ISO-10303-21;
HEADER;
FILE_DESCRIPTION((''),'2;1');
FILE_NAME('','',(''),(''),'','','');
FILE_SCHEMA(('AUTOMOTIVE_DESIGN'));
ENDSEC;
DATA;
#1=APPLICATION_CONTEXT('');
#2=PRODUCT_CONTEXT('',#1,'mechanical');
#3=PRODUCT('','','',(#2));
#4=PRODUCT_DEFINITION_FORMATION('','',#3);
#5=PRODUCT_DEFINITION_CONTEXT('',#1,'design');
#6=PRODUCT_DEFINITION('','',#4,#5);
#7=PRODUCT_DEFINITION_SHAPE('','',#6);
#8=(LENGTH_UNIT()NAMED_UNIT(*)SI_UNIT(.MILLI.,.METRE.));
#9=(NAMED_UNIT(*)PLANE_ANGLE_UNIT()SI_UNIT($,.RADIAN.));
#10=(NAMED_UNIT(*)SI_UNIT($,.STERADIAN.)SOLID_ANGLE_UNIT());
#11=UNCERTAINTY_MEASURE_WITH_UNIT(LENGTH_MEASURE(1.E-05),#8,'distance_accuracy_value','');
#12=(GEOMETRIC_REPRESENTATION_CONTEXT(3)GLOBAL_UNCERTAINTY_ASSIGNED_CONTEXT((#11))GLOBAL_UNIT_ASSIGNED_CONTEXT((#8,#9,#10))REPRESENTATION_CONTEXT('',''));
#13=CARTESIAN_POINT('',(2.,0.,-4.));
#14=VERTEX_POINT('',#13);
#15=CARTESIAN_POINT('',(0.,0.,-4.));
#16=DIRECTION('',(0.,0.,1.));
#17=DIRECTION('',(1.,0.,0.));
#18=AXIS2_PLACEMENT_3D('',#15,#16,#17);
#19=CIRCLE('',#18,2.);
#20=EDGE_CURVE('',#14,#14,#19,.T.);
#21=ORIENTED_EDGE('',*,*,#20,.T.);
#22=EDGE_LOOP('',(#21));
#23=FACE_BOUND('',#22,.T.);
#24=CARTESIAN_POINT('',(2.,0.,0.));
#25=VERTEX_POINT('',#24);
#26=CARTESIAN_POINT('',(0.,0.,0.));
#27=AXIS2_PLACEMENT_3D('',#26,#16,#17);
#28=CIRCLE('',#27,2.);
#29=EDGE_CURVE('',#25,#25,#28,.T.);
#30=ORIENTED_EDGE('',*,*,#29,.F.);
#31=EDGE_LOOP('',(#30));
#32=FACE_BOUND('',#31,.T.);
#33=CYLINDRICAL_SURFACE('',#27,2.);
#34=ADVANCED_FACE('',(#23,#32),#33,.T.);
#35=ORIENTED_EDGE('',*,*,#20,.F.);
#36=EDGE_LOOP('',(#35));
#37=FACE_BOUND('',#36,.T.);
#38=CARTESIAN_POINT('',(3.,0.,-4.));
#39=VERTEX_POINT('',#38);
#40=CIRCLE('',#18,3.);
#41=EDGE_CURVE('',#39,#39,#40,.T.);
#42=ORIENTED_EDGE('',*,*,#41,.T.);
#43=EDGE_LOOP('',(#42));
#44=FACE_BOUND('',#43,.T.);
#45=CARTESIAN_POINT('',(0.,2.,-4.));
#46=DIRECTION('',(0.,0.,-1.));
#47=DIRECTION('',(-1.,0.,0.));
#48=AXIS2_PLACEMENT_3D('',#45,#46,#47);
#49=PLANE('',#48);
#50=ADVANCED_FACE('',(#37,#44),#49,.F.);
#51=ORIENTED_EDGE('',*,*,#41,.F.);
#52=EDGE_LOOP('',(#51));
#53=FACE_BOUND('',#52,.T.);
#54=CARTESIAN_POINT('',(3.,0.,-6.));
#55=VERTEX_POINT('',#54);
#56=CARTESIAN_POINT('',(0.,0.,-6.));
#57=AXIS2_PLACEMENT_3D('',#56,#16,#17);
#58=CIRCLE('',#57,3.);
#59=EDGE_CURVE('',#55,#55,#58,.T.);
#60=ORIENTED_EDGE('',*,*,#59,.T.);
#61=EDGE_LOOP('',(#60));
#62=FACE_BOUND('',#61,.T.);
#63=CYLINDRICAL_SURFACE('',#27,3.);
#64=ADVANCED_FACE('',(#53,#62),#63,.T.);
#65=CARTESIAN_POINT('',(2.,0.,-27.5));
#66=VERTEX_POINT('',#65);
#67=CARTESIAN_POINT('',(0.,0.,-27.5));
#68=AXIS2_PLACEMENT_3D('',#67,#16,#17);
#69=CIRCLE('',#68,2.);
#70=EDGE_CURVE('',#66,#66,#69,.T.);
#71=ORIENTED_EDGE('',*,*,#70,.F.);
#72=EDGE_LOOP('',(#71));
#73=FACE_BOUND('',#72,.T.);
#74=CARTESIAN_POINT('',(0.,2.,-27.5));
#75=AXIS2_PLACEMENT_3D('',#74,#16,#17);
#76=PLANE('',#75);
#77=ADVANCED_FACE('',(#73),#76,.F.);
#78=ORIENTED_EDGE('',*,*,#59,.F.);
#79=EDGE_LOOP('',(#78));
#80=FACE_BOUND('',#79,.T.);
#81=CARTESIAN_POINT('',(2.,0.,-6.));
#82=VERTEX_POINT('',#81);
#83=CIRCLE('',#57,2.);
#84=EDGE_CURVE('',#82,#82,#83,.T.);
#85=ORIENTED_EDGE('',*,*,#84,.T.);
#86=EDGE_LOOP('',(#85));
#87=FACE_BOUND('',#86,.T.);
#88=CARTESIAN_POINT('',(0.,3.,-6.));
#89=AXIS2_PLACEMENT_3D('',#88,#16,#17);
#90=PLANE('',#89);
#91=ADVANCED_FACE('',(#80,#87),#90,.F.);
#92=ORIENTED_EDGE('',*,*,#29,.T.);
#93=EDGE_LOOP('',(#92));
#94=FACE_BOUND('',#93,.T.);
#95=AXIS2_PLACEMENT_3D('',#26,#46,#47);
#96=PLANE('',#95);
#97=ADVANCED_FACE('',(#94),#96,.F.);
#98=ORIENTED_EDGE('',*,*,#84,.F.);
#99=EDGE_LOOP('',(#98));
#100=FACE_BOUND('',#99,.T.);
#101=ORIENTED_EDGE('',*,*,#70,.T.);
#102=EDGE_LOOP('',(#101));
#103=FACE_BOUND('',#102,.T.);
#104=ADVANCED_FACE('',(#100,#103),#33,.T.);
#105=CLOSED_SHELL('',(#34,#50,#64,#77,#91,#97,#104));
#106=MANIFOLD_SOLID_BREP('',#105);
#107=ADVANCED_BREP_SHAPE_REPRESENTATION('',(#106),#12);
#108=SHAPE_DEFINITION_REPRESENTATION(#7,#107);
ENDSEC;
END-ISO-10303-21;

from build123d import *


with BuildPart() as part:
    # Croquis1 → Revolución1 (revolve)
    with BuildSketch(Plane(origin=(0, 0, 0), x_dir=(0, 0, -1), z_dir=(1, 0, 0))):
        Polygon((0, 0), (27.5, 0), (27.5, 2), (6, 2), (6, 3), (4, 3), (4, 2), (0, 2), align=None)
    revolve(axis=Axis((0, 0, 0), (0, 0, -1)))


solid = part.part
